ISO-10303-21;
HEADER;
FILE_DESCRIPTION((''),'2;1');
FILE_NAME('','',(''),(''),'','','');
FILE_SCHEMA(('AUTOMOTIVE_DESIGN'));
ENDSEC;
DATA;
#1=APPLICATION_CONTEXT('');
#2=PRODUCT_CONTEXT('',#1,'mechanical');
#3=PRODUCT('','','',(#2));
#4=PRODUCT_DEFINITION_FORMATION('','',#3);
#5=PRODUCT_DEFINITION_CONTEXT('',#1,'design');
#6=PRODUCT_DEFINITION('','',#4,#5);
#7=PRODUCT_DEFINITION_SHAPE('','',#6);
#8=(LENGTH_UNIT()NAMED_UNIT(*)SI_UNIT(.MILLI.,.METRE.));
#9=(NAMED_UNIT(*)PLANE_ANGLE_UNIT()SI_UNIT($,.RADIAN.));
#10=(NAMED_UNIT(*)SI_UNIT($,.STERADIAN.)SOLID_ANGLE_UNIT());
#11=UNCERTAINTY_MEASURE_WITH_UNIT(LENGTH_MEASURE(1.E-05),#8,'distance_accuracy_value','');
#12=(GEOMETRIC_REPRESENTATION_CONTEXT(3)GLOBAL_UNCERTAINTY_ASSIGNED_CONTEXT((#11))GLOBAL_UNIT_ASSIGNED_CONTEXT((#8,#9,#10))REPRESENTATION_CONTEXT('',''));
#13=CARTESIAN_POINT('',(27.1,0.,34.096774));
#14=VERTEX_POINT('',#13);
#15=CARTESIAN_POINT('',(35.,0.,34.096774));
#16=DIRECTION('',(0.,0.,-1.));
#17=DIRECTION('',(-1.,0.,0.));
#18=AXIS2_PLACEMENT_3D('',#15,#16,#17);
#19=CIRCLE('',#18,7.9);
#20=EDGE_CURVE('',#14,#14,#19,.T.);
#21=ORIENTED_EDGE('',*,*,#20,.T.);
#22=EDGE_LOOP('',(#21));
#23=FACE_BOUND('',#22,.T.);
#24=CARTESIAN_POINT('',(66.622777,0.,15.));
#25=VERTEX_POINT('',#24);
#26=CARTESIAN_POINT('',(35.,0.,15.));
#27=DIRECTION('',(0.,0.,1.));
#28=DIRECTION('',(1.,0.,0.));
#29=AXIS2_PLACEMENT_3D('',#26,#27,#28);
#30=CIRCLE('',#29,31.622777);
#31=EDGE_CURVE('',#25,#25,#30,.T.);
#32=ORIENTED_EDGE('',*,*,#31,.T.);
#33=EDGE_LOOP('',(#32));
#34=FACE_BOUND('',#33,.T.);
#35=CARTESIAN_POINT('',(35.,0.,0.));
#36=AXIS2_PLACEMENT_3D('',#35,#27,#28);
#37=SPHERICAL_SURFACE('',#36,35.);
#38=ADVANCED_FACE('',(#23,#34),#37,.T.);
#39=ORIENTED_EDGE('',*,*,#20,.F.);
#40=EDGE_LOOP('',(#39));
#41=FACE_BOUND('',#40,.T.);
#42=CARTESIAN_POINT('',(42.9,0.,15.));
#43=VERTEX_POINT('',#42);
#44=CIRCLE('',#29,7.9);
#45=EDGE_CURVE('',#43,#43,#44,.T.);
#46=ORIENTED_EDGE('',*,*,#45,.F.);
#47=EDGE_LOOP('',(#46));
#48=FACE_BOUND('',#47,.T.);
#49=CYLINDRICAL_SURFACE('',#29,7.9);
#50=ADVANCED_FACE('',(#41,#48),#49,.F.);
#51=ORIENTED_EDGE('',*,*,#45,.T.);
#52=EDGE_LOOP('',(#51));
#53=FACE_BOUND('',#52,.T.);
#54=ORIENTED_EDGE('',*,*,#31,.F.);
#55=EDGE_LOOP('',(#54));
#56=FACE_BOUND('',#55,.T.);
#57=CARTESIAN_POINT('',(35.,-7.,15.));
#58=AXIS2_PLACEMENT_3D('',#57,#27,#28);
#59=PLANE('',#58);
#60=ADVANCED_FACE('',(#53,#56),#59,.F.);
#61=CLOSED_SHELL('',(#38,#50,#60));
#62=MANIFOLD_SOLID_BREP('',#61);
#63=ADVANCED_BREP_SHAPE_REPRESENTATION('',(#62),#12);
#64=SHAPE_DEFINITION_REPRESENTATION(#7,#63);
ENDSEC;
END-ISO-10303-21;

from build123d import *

# Parameters (mm, degrees)
SKETCH6_R           = 22.5
SKETCH6_R_2         = 1
CUT_EXTRUDE8_DEPTH  = 20
SKETCH7_R           = 7.9
CUT_EXTRUDE9_DEPTH  = 20
SKETCH9_W           = 74.911016849
SKETCH9_H           = 74.606087337
CUT_EXTRUDE11_DEPTH = 50


with BuildPart() as part:
    # Sketch2 → Revolve1 (revolve)
    with BuildSketch(Plane.XY):
        with BuildLine():
            Line((0, 0), (70, 0))
            ThreePointArc((70, 0), (35, 35), (0, 0))
        make_face()
    revolve(axis=Axis((0, 0, 0), (1, 0, 0)))

    # Sketch6 → Cut-Extrude8 (cut)
    with BuildSketch(Plane.XY.offset(-5)):
        with Locations((35, -7)):
            Circle(SKETCH6_R)
        with Locations((17.5, -7)):
            Circle(SKETCH6_R_2, mode=Mode.SUBTRACT)
        with Locations((52.5, -7)):
            Circle(SKETCH6_R_2, mode=Mode.SUBTRACT)
    extrude(amount=CUT_EXTRUDE8_DEPTH, mode=Mode.SUBTRACT)

    # Sketch7 → Cut-Extrude9 (cut)
    with BuildSketch(Plane.XY.offset(35)):
        with Locations((35, 0)):
            Circle(SKETCH7_R)
    extrude(amount=-CUT_EXTRUDE9_DEPTH, mode=Mode.SUBTRACT)

    # Sketch9 → Cut-Extrude11 (cut)
    with BuildSketch(Plane.XY.offset(-35)):
        with Locations((35.457394269, -0.10164317)):
            Rectangle(SKETCH9_W, SKETCH9_H)
    extrude(amount=CUT_EXTRUDE11_DEPTH, mode=Mode.SUBTRACT)


solid = part.part
